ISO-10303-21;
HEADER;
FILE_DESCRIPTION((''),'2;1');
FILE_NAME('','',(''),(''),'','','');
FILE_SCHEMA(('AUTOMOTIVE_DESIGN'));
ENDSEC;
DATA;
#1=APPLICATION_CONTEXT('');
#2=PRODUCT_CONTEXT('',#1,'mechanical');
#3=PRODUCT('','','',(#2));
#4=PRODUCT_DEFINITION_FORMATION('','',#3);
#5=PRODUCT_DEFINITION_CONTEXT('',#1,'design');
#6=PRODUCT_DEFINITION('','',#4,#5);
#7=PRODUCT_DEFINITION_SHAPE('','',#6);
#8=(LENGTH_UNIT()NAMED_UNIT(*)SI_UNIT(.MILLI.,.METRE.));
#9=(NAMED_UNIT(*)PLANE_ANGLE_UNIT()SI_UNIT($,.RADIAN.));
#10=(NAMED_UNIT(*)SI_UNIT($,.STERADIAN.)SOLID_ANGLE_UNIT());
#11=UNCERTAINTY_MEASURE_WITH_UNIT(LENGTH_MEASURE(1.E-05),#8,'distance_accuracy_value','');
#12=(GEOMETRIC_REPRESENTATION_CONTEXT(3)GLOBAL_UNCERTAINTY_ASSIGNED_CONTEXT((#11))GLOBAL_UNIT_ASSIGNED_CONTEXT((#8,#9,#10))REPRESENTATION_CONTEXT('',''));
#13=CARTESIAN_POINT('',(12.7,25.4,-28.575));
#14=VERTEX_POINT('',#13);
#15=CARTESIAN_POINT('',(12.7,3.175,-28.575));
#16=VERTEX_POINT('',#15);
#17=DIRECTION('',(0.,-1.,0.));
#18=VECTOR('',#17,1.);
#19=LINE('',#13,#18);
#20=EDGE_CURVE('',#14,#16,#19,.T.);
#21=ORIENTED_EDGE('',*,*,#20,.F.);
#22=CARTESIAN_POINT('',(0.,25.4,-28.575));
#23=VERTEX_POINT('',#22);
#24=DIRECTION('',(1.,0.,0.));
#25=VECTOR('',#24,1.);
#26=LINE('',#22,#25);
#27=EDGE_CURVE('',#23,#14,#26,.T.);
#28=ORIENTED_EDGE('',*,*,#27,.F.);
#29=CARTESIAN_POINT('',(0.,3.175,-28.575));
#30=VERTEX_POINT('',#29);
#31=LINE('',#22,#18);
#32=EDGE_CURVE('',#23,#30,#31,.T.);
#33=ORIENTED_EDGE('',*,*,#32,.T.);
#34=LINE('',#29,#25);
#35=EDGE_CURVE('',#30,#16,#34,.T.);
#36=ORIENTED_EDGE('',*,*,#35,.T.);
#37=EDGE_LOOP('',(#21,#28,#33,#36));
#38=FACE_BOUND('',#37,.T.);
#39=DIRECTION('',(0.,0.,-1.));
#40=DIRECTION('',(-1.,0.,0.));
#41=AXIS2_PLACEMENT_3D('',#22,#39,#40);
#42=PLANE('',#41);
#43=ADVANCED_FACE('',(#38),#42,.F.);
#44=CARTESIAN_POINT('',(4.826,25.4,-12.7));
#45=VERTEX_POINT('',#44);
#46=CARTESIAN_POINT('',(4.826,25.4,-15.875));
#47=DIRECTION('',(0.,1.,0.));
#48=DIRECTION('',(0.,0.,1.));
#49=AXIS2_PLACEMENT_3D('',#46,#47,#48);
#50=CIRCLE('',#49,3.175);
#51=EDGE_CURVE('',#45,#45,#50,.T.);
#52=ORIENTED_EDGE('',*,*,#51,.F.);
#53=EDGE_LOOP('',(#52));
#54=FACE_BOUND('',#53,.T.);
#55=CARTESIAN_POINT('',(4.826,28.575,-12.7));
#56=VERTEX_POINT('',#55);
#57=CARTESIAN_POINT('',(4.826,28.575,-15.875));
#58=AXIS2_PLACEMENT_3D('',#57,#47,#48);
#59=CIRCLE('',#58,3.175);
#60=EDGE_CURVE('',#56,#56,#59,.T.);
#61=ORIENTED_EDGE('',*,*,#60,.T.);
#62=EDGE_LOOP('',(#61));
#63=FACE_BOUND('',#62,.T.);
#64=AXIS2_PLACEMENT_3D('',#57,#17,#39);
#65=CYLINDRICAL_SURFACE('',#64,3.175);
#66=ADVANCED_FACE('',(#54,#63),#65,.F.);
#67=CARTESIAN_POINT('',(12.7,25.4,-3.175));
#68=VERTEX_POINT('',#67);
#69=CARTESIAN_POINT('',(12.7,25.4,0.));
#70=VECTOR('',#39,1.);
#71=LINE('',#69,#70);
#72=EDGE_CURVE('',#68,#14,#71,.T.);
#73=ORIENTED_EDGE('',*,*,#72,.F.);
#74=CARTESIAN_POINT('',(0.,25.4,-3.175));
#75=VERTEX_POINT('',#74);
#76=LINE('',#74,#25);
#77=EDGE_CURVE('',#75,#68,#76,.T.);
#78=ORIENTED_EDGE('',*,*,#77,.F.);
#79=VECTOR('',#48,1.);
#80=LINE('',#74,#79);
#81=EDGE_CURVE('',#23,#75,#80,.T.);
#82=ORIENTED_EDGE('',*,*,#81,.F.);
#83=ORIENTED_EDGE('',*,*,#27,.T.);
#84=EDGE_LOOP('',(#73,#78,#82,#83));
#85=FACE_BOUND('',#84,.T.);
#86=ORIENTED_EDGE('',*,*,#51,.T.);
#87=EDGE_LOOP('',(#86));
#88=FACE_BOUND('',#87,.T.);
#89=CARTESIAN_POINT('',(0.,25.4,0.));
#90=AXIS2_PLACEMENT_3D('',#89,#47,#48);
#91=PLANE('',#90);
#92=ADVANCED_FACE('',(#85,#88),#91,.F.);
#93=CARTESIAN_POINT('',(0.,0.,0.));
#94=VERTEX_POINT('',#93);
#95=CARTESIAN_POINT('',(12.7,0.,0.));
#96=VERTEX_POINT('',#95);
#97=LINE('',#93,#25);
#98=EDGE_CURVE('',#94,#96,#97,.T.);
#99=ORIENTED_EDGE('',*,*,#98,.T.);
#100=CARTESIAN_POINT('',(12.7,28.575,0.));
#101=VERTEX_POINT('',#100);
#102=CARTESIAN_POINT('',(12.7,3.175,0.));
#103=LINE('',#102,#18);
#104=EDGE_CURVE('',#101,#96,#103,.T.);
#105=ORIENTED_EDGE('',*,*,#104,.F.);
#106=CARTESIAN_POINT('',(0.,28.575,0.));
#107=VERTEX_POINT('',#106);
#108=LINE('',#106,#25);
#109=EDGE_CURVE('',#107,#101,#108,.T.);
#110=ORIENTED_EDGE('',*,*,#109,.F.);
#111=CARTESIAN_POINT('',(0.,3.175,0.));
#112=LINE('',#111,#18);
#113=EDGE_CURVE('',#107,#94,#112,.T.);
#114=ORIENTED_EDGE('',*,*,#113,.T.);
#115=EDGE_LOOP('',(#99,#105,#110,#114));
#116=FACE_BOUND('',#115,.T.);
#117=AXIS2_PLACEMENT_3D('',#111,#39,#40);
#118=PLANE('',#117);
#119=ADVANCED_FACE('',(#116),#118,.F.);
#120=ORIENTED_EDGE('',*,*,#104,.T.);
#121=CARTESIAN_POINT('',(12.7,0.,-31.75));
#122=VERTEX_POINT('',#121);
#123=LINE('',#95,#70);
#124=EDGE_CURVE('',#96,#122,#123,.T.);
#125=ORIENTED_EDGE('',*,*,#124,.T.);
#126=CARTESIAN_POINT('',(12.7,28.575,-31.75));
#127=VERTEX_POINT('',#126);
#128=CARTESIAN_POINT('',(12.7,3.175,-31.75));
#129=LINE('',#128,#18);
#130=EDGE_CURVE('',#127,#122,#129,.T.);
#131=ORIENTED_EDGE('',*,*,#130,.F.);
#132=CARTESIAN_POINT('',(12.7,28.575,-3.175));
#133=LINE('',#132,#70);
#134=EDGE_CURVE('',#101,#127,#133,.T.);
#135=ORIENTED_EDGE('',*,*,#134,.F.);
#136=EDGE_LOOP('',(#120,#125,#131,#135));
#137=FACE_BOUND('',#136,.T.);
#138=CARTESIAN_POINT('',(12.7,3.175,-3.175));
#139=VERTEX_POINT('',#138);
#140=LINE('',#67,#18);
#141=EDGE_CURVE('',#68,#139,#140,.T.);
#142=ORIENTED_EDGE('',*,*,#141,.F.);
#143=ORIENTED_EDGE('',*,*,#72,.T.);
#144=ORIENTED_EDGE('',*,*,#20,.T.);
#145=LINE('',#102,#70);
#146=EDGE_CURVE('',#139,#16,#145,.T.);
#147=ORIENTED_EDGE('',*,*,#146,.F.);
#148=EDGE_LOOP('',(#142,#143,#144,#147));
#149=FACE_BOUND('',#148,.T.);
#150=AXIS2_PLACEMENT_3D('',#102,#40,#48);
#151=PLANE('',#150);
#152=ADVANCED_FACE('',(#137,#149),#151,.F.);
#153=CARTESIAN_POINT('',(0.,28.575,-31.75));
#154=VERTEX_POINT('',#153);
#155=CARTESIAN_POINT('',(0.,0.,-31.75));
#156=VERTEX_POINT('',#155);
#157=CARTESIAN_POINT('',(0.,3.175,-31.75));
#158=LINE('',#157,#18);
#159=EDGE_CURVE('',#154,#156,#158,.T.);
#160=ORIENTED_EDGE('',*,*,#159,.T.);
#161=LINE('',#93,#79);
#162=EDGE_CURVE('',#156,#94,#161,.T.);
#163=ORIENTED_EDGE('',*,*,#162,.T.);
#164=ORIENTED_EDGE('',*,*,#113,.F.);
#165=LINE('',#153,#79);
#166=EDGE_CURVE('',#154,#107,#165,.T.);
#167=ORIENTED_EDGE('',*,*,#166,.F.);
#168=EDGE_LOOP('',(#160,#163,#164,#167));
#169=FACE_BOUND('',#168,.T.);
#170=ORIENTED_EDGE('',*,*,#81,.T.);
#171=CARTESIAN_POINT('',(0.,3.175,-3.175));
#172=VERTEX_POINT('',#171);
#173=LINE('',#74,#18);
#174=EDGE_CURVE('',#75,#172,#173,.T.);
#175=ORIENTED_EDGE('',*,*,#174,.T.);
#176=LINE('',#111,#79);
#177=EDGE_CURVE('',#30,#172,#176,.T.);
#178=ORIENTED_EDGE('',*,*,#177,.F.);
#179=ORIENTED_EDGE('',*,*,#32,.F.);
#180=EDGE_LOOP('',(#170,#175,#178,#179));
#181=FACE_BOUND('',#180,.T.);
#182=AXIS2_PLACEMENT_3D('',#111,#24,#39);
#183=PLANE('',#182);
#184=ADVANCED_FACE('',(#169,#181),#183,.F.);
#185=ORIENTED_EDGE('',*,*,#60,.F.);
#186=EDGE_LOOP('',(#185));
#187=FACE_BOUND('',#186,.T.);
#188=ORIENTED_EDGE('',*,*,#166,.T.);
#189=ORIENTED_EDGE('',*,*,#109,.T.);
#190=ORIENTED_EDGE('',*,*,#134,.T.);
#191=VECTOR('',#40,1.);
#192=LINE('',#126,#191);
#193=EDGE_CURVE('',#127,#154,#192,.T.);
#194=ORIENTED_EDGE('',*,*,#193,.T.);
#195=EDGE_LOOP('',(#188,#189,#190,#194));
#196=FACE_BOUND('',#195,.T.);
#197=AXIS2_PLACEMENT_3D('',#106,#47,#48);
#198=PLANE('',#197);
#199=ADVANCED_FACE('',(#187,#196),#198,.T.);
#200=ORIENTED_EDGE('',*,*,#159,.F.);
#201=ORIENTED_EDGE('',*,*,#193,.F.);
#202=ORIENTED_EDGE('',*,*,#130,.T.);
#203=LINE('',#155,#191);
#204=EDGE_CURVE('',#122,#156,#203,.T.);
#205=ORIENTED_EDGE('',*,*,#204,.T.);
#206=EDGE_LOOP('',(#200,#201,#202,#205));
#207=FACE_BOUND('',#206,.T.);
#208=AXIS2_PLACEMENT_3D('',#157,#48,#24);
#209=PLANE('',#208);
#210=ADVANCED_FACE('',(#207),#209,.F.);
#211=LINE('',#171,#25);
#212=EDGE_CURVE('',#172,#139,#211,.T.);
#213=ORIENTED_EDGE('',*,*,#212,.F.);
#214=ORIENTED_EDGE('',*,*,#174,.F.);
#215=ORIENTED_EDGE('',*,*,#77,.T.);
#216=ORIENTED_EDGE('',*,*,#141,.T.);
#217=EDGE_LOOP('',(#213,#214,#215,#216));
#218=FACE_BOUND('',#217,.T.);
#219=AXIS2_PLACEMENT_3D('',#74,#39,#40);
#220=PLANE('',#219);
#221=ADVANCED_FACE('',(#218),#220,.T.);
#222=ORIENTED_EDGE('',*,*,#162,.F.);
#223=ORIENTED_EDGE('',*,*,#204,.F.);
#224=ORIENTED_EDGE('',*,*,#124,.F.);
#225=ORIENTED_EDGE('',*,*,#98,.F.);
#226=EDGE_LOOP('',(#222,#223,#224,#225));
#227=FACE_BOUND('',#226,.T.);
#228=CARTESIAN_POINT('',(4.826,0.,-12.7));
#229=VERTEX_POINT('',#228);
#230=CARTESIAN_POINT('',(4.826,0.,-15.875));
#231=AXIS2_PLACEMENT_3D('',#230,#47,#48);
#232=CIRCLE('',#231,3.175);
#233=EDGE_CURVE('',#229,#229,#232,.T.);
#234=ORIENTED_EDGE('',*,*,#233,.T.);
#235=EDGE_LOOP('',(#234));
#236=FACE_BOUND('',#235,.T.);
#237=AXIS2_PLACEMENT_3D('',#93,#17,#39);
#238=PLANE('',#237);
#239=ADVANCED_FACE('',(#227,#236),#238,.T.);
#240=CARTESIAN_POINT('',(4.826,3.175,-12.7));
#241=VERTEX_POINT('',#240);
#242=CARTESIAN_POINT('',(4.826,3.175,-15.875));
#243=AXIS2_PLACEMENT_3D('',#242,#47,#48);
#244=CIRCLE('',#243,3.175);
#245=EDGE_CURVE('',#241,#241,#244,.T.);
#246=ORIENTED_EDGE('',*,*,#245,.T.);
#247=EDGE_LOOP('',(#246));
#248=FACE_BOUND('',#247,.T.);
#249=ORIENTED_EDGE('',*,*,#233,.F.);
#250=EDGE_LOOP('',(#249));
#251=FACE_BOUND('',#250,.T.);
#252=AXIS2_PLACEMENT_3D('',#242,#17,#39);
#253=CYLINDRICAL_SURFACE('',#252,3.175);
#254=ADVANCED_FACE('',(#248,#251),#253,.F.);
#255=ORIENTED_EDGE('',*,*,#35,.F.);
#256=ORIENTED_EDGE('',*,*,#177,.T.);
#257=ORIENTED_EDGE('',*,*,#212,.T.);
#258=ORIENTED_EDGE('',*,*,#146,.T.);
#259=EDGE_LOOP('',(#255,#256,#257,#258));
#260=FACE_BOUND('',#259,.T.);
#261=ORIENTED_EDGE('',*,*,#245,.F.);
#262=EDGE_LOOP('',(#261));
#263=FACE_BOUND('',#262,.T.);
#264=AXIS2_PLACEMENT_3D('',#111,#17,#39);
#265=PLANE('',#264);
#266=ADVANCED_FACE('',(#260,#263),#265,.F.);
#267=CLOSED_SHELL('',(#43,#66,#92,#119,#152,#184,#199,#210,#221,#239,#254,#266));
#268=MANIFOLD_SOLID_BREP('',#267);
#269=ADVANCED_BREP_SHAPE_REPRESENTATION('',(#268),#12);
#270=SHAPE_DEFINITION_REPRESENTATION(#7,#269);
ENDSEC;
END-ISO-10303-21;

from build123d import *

# Parameters (mm, degrees)
SKETCH1_W           = 12.7
SKETCH1_H           = 31.75
SKETCH1_R           = 3.175
BOSS_EXTRUDE2_DEPTH = 3.175
SKETCH2_W           = 12.7
SKETCH2_H           = 3.175
BOSS_EXTRUDE4_DEPTH = 22.225
SKETCH3_R           = 3.175
BOSS_EXTRUDE5_DEPTH = 3.175


with BuildPart() as part:
    # Sketch1 → Boss-Extrude2 (new body)
    with BuildSketch(Plane(origin=(0, 0, 0), x_dir=(1, 0, 0), z_dir=(0, 1, 0))):
        with Locations((6.35, 15.875)):
            Rectangle(SKETCH1_W, SKETCH1_H)
        with Locations((4.826, 15.875)):
            Circle(SKETCH1_R, mode=Mode.SUBTRACT)
    extrude(amount=BOSS_EXTRUDE2_DEPTH)

    # Sketch2 → Boss-Extrude4 (add)
    with BuildSketch(Plane(origin=(0, 3.175, 0), x_dir=(1, 0, 0), z_dir=(0, 1, 0))):
        Polygon((12.7, 31.75), (0, 31.75), (0, 28.575), (11.684, 28.575), (12.7, 28.575), align=None)
        with Locations((6.35, 1.5875)):
            Rectangle(SKETCH2_W, SKETCH2_H)
    extrude(amount=BOSS_EXTRUDE4_DEPTH)

    # Sketch3 → Boss-Extrude5 (add)
    with BuildSketch(Plane(origin=(0, 25.4, 0), x_dir=(1, 0, 0), z_dir=(0, 1, 0))):
        Polygon((12.7, 28.575), (12.7, 31.75), (0, 31.75), (0, 28.575), (0, 3.175), (0, 0), (12.7, 0), (12.7, 3.175), align=None)
        with Locations((4.826, 15.875)):
            Circle(SKETCH3_R, mode=Mode.SUBTRACT)
    extrude(amount=BOSS_EXTRUDE5_DEPTH)


solid = part.part
